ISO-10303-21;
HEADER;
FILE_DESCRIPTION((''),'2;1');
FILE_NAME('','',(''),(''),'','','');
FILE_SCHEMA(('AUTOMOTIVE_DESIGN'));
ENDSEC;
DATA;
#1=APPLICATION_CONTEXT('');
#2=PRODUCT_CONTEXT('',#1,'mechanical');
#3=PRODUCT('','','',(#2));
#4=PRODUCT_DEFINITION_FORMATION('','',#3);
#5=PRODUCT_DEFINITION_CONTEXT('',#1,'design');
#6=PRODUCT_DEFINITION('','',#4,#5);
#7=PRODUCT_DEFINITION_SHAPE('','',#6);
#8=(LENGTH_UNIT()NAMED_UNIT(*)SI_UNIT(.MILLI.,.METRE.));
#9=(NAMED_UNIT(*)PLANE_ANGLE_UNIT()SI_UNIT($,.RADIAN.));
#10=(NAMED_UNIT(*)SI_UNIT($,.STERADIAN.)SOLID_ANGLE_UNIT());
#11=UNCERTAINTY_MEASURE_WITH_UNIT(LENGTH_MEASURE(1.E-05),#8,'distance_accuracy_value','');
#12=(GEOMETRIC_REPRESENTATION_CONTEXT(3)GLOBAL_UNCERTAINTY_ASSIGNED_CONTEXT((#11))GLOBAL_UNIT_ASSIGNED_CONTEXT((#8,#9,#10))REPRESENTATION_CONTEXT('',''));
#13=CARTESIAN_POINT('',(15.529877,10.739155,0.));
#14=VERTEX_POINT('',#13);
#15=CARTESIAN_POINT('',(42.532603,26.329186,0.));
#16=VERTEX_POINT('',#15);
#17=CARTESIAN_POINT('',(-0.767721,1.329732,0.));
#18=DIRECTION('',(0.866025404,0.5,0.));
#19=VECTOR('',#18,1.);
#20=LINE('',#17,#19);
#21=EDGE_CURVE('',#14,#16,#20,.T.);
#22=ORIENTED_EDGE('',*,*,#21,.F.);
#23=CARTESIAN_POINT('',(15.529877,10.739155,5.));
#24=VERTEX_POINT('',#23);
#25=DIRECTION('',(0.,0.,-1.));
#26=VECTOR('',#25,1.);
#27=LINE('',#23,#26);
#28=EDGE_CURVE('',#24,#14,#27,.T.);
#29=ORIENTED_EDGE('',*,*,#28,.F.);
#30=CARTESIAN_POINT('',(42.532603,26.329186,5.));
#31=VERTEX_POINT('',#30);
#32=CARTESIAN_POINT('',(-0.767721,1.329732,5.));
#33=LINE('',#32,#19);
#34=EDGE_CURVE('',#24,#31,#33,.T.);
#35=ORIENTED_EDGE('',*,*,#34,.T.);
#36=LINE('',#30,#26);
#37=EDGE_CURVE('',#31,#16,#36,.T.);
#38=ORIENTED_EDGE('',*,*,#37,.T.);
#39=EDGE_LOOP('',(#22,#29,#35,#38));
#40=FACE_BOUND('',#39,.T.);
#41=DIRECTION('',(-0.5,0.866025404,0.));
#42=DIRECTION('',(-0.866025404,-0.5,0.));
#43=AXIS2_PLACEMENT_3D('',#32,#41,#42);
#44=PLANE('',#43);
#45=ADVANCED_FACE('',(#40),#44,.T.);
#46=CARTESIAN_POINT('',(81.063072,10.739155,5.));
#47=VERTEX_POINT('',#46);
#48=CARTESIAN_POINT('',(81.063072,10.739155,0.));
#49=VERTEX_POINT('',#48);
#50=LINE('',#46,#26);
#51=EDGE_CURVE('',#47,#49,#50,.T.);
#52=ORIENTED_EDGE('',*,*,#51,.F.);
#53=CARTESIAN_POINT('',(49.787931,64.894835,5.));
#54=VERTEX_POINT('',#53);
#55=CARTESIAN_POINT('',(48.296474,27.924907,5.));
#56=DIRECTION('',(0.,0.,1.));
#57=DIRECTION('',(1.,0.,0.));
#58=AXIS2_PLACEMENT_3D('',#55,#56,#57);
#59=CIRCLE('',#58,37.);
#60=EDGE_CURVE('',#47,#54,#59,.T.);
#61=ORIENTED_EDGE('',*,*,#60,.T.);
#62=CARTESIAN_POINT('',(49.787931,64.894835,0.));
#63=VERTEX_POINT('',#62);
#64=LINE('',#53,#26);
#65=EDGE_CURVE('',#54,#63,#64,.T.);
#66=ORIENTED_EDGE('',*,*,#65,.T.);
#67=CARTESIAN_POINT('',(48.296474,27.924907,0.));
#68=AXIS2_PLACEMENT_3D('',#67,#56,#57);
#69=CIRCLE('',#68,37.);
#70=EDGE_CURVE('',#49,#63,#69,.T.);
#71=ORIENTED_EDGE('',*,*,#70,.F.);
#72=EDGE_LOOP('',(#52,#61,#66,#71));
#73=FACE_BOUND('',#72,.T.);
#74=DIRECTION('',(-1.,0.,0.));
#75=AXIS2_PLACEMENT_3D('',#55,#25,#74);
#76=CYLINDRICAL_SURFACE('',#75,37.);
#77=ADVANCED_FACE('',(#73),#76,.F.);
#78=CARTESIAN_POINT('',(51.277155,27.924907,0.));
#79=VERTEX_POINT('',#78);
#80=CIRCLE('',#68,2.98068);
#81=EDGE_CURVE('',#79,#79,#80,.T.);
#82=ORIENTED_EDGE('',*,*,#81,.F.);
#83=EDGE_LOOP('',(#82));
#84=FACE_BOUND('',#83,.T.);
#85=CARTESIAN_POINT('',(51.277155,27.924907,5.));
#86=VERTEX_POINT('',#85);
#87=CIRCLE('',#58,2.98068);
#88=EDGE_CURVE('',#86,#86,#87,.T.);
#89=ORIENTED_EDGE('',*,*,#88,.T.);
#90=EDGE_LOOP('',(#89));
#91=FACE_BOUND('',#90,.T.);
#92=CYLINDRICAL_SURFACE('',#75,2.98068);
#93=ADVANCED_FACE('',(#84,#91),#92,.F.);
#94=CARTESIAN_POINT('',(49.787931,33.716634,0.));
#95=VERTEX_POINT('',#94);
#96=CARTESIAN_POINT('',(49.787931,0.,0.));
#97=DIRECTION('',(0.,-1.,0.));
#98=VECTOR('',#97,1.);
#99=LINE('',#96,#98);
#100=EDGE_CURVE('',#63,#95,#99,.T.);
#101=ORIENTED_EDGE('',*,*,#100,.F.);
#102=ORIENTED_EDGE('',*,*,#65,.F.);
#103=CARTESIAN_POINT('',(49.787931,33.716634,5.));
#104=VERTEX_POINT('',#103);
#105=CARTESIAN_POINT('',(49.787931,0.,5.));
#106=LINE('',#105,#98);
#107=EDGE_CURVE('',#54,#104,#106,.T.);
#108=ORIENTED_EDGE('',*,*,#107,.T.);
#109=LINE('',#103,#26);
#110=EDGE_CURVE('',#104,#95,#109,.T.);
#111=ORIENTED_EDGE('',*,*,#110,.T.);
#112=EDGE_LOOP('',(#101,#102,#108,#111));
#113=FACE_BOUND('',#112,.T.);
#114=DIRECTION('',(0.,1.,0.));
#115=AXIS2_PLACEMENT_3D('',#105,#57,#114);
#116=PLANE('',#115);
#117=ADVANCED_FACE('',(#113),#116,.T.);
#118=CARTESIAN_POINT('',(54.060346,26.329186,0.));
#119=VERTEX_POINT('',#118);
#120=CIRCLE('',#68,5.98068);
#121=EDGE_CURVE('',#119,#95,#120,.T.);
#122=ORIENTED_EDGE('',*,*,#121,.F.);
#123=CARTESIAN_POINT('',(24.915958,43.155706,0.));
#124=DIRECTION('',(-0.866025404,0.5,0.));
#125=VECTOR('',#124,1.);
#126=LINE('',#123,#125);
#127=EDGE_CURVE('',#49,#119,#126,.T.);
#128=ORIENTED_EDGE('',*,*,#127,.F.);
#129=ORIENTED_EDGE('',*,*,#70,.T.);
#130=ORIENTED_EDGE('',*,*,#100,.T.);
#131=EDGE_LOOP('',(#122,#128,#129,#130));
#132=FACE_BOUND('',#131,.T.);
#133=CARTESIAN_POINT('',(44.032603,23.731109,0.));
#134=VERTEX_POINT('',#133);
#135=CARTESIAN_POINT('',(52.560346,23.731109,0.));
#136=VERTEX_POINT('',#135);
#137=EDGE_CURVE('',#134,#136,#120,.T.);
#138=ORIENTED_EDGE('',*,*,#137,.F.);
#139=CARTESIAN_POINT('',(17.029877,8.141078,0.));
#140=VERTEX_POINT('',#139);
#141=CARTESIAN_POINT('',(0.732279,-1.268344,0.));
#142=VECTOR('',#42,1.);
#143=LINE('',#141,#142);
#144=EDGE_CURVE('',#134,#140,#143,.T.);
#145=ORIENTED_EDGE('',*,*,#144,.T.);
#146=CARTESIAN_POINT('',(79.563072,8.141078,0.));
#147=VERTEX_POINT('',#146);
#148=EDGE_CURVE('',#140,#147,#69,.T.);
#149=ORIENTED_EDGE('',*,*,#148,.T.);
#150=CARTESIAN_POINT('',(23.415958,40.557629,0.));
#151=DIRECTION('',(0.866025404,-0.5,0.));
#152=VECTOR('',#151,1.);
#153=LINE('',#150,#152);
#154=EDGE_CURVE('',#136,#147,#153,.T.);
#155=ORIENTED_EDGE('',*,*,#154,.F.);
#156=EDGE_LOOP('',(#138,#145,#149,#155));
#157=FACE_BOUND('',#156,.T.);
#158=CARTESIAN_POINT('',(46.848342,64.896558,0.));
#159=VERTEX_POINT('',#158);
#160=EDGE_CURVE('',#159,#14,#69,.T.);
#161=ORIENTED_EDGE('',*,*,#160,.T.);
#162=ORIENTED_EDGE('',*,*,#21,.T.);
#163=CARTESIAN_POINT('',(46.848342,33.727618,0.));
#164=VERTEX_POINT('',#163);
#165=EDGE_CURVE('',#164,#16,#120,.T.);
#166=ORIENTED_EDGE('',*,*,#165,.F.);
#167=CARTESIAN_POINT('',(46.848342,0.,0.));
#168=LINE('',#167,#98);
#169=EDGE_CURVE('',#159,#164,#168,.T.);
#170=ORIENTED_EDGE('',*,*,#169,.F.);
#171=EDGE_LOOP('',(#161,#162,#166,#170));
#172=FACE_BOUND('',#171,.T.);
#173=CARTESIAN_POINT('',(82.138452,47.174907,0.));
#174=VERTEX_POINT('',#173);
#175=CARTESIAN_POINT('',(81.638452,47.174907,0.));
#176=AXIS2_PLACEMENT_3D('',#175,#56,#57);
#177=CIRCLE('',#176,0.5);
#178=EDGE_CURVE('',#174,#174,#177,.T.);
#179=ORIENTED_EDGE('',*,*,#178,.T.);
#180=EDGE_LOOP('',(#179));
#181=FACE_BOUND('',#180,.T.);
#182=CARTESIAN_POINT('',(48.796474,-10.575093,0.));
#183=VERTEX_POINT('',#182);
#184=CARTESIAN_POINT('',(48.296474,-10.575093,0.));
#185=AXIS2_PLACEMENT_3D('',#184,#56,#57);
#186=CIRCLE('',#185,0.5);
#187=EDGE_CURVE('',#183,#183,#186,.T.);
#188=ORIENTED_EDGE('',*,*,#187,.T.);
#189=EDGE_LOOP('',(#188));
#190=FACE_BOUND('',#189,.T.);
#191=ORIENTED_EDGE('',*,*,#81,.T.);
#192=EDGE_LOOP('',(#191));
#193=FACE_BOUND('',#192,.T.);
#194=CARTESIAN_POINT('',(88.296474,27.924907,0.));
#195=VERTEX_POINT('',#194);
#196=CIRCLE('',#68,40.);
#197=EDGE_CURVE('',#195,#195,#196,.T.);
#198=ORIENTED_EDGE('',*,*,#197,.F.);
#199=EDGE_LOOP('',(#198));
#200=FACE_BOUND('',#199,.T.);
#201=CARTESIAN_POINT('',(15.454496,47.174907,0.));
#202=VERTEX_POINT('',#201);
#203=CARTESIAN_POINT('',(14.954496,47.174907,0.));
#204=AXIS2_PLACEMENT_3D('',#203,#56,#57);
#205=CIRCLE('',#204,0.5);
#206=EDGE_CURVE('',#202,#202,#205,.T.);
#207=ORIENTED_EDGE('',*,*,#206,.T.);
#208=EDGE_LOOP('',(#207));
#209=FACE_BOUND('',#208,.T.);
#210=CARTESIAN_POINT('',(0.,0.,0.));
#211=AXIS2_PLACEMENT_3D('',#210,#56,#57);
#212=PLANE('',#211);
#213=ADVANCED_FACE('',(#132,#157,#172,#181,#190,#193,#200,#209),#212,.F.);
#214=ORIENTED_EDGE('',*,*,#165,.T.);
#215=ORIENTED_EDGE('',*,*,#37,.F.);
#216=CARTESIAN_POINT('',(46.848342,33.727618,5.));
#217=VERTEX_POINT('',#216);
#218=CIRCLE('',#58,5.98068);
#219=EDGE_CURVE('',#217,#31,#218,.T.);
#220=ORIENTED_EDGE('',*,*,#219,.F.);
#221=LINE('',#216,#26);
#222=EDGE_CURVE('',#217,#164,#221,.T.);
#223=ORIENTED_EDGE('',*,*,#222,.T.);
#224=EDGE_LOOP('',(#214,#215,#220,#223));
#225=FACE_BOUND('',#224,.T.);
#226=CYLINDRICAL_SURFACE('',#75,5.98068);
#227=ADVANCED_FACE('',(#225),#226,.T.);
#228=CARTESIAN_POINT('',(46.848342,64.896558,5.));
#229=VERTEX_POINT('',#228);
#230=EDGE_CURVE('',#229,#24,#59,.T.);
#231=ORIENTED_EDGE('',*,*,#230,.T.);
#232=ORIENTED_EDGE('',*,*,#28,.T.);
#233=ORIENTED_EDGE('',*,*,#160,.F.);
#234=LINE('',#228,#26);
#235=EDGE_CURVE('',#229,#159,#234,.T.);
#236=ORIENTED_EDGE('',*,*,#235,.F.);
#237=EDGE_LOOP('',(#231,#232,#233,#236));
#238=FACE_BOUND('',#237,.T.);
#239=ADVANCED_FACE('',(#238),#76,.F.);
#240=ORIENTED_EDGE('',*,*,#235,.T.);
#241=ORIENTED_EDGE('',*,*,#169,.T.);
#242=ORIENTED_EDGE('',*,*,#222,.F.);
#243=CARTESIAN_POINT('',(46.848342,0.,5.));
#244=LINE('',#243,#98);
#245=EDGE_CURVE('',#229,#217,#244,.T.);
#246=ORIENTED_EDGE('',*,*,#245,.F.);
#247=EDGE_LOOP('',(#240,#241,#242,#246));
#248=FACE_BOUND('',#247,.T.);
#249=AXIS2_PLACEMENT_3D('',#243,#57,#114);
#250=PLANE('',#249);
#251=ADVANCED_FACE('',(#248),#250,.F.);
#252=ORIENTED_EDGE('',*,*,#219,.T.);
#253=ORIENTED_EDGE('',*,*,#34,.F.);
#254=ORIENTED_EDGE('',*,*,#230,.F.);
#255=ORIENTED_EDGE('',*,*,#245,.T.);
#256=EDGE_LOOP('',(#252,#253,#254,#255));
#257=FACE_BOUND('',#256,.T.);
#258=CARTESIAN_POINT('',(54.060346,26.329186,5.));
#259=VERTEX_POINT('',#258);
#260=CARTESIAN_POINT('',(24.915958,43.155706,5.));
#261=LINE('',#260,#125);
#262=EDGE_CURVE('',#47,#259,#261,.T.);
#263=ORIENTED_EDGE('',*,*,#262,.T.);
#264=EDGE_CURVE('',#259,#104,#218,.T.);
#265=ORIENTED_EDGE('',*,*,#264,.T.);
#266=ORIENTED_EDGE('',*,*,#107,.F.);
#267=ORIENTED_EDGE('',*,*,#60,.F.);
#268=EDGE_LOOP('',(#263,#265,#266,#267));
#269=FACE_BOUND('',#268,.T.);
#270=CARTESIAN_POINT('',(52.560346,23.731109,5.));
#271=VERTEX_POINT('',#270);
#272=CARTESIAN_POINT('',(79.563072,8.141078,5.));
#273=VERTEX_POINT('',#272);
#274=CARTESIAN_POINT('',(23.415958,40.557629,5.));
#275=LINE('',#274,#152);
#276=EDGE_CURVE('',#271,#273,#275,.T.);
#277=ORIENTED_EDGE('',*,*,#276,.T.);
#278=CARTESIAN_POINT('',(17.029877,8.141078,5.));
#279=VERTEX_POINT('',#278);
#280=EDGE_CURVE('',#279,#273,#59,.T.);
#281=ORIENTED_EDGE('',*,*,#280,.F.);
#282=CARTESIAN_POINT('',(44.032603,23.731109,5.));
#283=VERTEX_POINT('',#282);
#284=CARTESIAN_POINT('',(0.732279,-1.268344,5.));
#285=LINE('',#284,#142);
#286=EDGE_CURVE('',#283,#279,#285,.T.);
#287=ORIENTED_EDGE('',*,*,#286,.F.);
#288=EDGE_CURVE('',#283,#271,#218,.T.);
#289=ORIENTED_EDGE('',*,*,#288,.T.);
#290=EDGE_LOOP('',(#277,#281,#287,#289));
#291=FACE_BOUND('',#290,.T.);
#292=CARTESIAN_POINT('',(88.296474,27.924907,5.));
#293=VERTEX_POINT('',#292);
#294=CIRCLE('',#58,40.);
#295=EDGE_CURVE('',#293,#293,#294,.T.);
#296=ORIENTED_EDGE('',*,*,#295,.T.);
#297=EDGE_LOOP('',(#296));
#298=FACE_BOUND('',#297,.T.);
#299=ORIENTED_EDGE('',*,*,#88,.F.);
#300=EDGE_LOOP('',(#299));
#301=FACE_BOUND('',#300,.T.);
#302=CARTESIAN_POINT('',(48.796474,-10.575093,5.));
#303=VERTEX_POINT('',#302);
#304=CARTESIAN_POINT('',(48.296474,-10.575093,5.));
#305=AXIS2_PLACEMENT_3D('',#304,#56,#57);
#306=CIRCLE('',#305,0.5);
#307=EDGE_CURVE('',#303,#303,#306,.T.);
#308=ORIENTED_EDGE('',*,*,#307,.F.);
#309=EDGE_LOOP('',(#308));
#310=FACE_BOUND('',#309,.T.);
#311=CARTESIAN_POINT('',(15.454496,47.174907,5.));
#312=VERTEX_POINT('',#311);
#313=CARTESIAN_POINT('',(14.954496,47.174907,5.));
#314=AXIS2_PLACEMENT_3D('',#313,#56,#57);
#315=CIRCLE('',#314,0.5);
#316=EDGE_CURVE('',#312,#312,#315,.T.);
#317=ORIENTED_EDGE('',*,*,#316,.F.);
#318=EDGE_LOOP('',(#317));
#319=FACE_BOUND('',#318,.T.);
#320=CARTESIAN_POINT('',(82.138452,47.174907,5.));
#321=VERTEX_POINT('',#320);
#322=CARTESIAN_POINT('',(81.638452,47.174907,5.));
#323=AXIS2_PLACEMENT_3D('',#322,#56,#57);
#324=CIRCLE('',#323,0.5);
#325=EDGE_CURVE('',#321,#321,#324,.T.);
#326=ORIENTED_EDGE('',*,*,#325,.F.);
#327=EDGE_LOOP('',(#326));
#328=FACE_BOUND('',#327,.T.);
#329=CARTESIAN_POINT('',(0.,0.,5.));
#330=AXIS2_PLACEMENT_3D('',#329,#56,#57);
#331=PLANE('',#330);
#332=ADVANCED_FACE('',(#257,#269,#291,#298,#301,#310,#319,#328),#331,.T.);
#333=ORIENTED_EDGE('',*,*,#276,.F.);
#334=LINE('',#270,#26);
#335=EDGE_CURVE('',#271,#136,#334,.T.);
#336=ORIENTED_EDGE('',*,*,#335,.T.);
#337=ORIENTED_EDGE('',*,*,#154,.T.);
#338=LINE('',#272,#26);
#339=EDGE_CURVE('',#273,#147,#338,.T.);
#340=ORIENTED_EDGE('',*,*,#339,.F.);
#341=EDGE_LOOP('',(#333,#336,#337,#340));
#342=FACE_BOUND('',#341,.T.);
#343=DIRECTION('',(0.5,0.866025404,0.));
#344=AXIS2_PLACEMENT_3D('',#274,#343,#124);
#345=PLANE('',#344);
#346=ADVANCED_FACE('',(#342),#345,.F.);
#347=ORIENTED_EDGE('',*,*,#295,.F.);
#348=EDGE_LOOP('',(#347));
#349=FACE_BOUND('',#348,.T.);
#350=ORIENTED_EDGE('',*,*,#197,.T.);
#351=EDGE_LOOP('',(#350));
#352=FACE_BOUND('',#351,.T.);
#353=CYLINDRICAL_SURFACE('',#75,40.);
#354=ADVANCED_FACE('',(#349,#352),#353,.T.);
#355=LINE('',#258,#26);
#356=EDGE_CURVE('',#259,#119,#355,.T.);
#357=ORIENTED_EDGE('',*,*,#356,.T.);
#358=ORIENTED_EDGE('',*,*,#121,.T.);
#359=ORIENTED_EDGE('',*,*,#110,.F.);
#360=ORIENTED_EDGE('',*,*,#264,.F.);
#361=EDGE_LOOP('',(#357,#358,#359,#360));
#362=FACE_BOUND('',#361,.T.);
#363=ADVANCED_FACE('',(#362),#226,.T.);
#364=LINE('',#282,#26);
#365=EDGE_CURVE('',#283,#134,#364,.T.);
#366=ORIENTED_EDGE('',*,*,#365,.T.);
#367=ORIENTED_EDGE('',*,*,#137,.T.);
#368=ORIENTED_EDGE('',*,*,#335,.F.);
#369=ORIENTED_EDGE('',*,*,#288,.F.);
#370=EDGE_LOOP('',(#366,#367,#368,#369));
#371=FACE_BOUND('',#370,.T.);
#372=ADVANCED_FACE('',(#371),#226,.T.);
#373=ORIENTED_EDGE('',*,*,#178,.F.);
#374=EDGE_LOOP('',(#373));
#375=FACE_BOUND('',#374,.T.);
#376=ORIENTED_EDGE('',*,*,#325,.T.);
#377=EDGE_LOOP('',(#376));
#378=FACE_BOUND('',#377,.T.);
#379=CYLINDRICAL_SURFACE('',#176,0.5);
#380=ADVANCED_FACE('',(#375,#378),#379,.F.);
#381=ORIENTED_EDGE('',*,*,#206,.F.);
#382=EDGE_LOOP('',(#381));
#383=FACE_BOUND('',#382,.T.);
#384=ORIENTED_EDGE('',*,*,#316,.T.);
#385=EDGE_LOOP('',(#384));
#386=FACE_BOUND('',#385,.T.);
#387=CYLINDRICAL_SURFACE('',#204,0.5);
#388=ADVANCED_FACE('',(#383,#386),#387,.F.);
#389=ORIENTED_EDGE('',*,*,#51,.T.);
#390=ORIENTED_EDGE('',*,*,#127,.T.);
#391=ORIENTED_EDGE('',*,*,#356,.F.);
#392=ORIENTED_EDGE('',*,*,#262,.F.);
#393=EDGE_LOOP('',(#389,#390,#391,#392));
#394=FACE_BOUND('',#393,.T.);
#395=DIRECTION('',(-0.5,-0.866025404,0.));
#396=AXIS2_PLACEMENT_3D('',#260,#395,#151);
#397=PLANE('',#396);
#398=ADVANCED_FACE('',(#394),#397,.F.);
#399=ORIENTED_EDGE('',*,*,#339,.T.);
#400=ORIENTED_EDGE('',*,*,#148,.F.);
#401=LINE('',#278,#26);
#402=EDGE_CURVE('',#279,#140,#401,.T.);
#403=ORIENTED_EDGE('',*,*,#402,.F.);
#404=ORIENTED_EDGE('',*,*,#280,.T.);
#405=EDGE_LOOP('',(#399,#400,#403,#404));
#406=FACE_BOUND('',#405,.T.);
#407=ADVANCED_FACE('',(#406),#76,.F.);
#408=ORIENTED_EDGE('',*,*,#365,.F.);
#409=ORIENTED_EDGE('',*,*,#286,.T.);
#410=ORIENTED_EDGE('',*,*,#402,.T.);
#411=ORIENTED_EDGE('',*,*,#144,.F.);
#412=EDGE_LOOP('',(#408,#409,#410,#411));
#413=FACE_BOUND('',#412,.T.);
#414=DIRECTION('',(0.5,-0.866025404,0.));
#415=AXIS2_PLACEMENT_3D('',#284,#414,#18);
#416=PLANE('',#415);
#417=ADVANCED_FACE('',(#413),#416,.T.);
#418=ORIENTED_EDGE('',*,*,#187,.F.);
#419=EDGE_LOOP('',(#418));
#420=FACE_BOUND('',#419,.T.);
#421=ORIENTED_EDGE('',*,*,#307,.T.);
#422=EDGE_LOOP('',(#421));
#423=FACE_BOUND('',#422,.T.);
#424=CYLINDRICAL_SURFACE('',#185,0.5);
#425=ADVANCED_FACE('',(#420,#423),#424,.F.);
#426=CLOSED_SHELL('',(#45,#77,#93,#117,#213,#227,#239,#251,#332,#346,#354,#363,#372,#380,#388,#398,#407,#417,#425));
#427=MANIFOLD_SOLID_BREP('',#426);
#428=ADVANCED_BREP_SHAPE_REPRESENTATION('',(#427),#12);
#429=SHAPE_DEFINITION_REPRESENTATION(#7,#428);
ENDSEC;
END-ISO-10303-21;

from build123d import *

# Parameters (mm, degrees)
SKETCH_1_R          = 40
SKETCH_1_R_2        = 2.980680457
EXTRUDE_2_DEPTH     = 5
SKETCH_2_R          = 0.5
CUT_EXTRUDE_1_DEPTH = 5


with BuildPart() as part:
    # 草图1 → 凸台-拉伸2 (new body)
    # profile 1 of 11: a face of its own
    with BuildSketch(Plane.XY):
        with Locations((48.296474355, 27.924907455)):
            Circle(SKETCH_1_R)
        with BuildLine():
            Line((81.82316003, 10.300317263), (81.07316003, 9.001279158))
            Line((81.07316003, 9.001279158), (80.32316003, 7.702241052))
            Line((80.32316003, 7.702241052), (79.563071613, 8.141078304))
            ThreePointArc((79.563071613, 8.141078304), (48.296474355, -9.075092545), (17.029877097, 8.141078304))
            Line((17.029877097, 8.141078304), (16.26978868, 7.702241052))
            Line((16.26978868, 7.702241052), (15.51978868, 9.001279158))
            Line((15.51978868, 9.001279158), (14.76978868, 10.300317263))
            Line((14.76978868, 10.300317263), (15.529877097, 10.739154515))
            ThreePointArc((15.529877097, 10.739154515), (16.266519565, 46.447380189), (46.84834221, 64.896557585))
            Line((46.84834221, 64.896557585), (46.84834221, 66.091480515))
            Line((46.84834221, 66.091480515), (49.787930978, 66.091480515))
            Line((49.787930978, 66.091480515), (49.787930978, 64.894835196))
            ThreePointArc((49.787930978, 64.894835196), (74.981525367, 53.555125021), (85.296474355, 27.924907455))
            ThreePointArc((85.296474355, 27.924907455), (84.222538003, 19.07516448), (81.063071613, 10.739154515))
            Line((81.063071613, 10.739154515), (81.82316003, 10.300317263))
        make_face(mode=Mode.SUBTRACT)
    # profile 2 of 11: a face of its own
    with BuildSketch(Plane.XY):
        with BuildLine():
            Line((52.565394479, 27.19229608), (54.060345519, 26.329185695))
            ThreePointArc((54.060345519, 26.329185695), (54.222704622, 27.119715831), (54.277154812, 27.924907455))
            ThreePointArc((54.277154812, 27.924907455), (53.023442951, 31.588827027), (49.787930978, 33.716633957))
            Line((49.787930978, 33.716633957), (49.787930978, 32.638782116))
            Line((49.787930978, 32.638782116), (46.84834221, 32.638782116))
            Line((46.84834221, 32.638782116), (46.84834221, 33.727618203))
            ThreePointArc((46.84834221, 33.727618203), (43.130484728, 30.938392133), (42.532603191, 26.329185695))
            Line((42.532603191, 26.329185695), (43.927397053, 27.134470306))
            Line((43.927397053, 27.134470306), (45.427397053, 24.536394095))
            Line((45.427397053, 24.536394095), (44.032603191, 23.731109483))
            ThreePointArc((44.032603191, 23.731109483), (48.296474355, 21.944226998), (52.560345519, 23.731109483))
            Line((52.560345519, 23.731109483), (51.065394479, 24.594219869))
            Line((51.065394479, 24.594219869), (52.565394479, 27.19229608))
        make_face()
        with Locations((48.296474355, 27.924907455)):
            Circle(SKETCH_1_R_2, mode=Mode.SUBTRACT)
    # profile 3 of 11: a face of its own
    with BuildSketch(Plane.XY):
        with BuildLine():
            ThreePointArc((15.529877097, 10.739154515), (16.253534415, 9.424907455), (17.029877097, 8.141078304))
            Line((17.029877097, 8.141078304), (44.032603191, 23.731109483))
            ThreePointArc((44.032603191, 23.731109483), (43.117053147, 24.934567227), (42.532603191, 26.329185695))
            Line((42.532603191, 26.329185695), (15.529877097, 10.739154515))
        make_face()
    # profile 4 of 11: a face of its own
    with BuildSketch(Plane.XY):
        with BuildLine():
            Line((16.26978868, 7.702241052), (17.029877097, 8.141078304))
            ThreePointArc((17.029877097, 8.141078304), (16.253534415, 9.424907455), (15.529877097, 10.739154515))
            Line((15.529877097, 10.739154515), (14.76978868, 10.300317263))
            Line((14.76978868, 10.300317263), (15.51978868, 9.001279158))
            Line((15.51978868, 9.001279158), (16.26978868, 7.702241052))
        make_face()
    # profile 5 of 11: a face of its own
    with BuildSketch(Plane.XY):
        with BuildLine():
            ThreePointArc((52.560345519, 23.731109483), (53.475895563, 24.934567227), (54.060345519, 26.329185695))
            Line((54.060345519, 26.329185695), (52.565394479, 27.19229608))
            Line((52.565394479, 27.19229608), (51.065394479, 24.594219869))
            Line((51.065394479, 24.594219869), (52.560345519, 23.731109483))
        make_face()
    # profile 6 of 11: a face of its own
    with BuildSketch(Plane.XY):
        with BuildLine():
            Line((49.787930978, 32.638782116), (49.787930978, 33.716633957))
            ThreePointArc((49.787930978, 33.716633957), (48.318821972, 33.90554616), (46.84834221, 33.727618203))
            Line((46.84834221, 33.727618203), (46.84834221, 32.638782116))
            Line((46.84834221, 32.638782116), (49.787930978, 32.638782116))
        make_face()
    # profile 7 of 11: a face of its own
    with BuildSketch(Plane.XY):
        with BuildLine():
            ThreePointArc((42.532603191, 26.329185695), (43.117053147, 24.934567227), (44.032603191, 23.731109483))
            Line((44.032603191, 23.731109483), (45.427397053, 24.536394095))
            Line((45.427397053, 24.536394095), (43.927397053, 27.134470306))
            Line((43.927397053, 27.134470306), (42.532603191, 26.329185695))
        make_face()
    # profile 8 of 11: a face of its own
    with BuildSketch(Plane.XY):
        with BuildLine():
            Line((49.787930978, 33.716633957), (49.787930978, 64.894835196))
            ThreePointArc((49.787930978, 64.894835196), (48.318153706, 64.924901104), (46.84834221, 64.896557585))
            Line((46.84834221, 64.896557585), (46.84834221, 33.727618203))
            ThreePointArc((46.84834221, 33.727618203), (48.318821972, 33.90554616), (49.787930978, 33.716633957))
        make_face()
    # profile 9 of 11: a face of its own
    with BuildSketch(Plane.XY):
        with BuildLine():
            ThreePointArc((46.84834221, 64.896557585), (48.318153706, 64.924901104), (49.787930978, 64.894835196))
            Line((49.787930978, 64.894835196), (49.787930978, 66.091480515))
            Line((49.787930978, 66.091480515), (46.84834221, 66.091480515))
            Line((46.84834221, 66.091480515), (46.84834221, 64.896557585))
        make_face()
    # profile 10 of 11: a face of its own
    with BuildSketch(Plane.XY):
        with BuildLine():
            Line((80.32316003, 7.702241052), (81.07316003, 9.001279158))
            Line((81.07316003, 9.001279158), (81.82316003, 10.300317263))
            Line((81.82316003, 10.300317263), (81.063071613, 10.739154515))
            ThreePointArc((81.063071613, 10.739154515), (80.339414295, 9.424907455), (79.563071613, 8.141078304))
            Line((79.563071613, 8.141078304), (80.32316003, 7.702241052))
        make_face()
    # profile 11 of 11: a face of its own
    with BuildSketch(Plane.XY):
        with BuildLine():
            ThreePointArc((79.563071613, 8.141078304), (80.339414295, 9.424907455), (81.063071613, 10.739154515))
            Line((81.063071613, 10.739154515), (54.060345519, 26.329185695))
            ThreePointArc((54.060345519, 26.329185695), (53.475895563, 24.934567227), (52.560345519, 23.731109483))
            Line((52.560345519, 23.731109483), (79.563071613, 8.141078304))
        make_face()
    extrude(amount=EXTRUDE_2_DEPTH)

    # 草图2 → 切除-拉伸1 (cut)
    with BuildSketch(Plane.XY.offset(5)):
        with Locations((14.954496309, 47.174907455)):
            Circle(SKETCH_2_R)
        with Locations((81.638452401, 47.174907455)):
            Circle(SKETCH_2_R)
        with Locations((48.296474355, -10.575092545)):
            Circle(SKETCH_2_R)
    extrude(amount=-CUT_EXTRUDE_1_DEPTH, mode=Mode.SUBTRACT)


solid = part.part
